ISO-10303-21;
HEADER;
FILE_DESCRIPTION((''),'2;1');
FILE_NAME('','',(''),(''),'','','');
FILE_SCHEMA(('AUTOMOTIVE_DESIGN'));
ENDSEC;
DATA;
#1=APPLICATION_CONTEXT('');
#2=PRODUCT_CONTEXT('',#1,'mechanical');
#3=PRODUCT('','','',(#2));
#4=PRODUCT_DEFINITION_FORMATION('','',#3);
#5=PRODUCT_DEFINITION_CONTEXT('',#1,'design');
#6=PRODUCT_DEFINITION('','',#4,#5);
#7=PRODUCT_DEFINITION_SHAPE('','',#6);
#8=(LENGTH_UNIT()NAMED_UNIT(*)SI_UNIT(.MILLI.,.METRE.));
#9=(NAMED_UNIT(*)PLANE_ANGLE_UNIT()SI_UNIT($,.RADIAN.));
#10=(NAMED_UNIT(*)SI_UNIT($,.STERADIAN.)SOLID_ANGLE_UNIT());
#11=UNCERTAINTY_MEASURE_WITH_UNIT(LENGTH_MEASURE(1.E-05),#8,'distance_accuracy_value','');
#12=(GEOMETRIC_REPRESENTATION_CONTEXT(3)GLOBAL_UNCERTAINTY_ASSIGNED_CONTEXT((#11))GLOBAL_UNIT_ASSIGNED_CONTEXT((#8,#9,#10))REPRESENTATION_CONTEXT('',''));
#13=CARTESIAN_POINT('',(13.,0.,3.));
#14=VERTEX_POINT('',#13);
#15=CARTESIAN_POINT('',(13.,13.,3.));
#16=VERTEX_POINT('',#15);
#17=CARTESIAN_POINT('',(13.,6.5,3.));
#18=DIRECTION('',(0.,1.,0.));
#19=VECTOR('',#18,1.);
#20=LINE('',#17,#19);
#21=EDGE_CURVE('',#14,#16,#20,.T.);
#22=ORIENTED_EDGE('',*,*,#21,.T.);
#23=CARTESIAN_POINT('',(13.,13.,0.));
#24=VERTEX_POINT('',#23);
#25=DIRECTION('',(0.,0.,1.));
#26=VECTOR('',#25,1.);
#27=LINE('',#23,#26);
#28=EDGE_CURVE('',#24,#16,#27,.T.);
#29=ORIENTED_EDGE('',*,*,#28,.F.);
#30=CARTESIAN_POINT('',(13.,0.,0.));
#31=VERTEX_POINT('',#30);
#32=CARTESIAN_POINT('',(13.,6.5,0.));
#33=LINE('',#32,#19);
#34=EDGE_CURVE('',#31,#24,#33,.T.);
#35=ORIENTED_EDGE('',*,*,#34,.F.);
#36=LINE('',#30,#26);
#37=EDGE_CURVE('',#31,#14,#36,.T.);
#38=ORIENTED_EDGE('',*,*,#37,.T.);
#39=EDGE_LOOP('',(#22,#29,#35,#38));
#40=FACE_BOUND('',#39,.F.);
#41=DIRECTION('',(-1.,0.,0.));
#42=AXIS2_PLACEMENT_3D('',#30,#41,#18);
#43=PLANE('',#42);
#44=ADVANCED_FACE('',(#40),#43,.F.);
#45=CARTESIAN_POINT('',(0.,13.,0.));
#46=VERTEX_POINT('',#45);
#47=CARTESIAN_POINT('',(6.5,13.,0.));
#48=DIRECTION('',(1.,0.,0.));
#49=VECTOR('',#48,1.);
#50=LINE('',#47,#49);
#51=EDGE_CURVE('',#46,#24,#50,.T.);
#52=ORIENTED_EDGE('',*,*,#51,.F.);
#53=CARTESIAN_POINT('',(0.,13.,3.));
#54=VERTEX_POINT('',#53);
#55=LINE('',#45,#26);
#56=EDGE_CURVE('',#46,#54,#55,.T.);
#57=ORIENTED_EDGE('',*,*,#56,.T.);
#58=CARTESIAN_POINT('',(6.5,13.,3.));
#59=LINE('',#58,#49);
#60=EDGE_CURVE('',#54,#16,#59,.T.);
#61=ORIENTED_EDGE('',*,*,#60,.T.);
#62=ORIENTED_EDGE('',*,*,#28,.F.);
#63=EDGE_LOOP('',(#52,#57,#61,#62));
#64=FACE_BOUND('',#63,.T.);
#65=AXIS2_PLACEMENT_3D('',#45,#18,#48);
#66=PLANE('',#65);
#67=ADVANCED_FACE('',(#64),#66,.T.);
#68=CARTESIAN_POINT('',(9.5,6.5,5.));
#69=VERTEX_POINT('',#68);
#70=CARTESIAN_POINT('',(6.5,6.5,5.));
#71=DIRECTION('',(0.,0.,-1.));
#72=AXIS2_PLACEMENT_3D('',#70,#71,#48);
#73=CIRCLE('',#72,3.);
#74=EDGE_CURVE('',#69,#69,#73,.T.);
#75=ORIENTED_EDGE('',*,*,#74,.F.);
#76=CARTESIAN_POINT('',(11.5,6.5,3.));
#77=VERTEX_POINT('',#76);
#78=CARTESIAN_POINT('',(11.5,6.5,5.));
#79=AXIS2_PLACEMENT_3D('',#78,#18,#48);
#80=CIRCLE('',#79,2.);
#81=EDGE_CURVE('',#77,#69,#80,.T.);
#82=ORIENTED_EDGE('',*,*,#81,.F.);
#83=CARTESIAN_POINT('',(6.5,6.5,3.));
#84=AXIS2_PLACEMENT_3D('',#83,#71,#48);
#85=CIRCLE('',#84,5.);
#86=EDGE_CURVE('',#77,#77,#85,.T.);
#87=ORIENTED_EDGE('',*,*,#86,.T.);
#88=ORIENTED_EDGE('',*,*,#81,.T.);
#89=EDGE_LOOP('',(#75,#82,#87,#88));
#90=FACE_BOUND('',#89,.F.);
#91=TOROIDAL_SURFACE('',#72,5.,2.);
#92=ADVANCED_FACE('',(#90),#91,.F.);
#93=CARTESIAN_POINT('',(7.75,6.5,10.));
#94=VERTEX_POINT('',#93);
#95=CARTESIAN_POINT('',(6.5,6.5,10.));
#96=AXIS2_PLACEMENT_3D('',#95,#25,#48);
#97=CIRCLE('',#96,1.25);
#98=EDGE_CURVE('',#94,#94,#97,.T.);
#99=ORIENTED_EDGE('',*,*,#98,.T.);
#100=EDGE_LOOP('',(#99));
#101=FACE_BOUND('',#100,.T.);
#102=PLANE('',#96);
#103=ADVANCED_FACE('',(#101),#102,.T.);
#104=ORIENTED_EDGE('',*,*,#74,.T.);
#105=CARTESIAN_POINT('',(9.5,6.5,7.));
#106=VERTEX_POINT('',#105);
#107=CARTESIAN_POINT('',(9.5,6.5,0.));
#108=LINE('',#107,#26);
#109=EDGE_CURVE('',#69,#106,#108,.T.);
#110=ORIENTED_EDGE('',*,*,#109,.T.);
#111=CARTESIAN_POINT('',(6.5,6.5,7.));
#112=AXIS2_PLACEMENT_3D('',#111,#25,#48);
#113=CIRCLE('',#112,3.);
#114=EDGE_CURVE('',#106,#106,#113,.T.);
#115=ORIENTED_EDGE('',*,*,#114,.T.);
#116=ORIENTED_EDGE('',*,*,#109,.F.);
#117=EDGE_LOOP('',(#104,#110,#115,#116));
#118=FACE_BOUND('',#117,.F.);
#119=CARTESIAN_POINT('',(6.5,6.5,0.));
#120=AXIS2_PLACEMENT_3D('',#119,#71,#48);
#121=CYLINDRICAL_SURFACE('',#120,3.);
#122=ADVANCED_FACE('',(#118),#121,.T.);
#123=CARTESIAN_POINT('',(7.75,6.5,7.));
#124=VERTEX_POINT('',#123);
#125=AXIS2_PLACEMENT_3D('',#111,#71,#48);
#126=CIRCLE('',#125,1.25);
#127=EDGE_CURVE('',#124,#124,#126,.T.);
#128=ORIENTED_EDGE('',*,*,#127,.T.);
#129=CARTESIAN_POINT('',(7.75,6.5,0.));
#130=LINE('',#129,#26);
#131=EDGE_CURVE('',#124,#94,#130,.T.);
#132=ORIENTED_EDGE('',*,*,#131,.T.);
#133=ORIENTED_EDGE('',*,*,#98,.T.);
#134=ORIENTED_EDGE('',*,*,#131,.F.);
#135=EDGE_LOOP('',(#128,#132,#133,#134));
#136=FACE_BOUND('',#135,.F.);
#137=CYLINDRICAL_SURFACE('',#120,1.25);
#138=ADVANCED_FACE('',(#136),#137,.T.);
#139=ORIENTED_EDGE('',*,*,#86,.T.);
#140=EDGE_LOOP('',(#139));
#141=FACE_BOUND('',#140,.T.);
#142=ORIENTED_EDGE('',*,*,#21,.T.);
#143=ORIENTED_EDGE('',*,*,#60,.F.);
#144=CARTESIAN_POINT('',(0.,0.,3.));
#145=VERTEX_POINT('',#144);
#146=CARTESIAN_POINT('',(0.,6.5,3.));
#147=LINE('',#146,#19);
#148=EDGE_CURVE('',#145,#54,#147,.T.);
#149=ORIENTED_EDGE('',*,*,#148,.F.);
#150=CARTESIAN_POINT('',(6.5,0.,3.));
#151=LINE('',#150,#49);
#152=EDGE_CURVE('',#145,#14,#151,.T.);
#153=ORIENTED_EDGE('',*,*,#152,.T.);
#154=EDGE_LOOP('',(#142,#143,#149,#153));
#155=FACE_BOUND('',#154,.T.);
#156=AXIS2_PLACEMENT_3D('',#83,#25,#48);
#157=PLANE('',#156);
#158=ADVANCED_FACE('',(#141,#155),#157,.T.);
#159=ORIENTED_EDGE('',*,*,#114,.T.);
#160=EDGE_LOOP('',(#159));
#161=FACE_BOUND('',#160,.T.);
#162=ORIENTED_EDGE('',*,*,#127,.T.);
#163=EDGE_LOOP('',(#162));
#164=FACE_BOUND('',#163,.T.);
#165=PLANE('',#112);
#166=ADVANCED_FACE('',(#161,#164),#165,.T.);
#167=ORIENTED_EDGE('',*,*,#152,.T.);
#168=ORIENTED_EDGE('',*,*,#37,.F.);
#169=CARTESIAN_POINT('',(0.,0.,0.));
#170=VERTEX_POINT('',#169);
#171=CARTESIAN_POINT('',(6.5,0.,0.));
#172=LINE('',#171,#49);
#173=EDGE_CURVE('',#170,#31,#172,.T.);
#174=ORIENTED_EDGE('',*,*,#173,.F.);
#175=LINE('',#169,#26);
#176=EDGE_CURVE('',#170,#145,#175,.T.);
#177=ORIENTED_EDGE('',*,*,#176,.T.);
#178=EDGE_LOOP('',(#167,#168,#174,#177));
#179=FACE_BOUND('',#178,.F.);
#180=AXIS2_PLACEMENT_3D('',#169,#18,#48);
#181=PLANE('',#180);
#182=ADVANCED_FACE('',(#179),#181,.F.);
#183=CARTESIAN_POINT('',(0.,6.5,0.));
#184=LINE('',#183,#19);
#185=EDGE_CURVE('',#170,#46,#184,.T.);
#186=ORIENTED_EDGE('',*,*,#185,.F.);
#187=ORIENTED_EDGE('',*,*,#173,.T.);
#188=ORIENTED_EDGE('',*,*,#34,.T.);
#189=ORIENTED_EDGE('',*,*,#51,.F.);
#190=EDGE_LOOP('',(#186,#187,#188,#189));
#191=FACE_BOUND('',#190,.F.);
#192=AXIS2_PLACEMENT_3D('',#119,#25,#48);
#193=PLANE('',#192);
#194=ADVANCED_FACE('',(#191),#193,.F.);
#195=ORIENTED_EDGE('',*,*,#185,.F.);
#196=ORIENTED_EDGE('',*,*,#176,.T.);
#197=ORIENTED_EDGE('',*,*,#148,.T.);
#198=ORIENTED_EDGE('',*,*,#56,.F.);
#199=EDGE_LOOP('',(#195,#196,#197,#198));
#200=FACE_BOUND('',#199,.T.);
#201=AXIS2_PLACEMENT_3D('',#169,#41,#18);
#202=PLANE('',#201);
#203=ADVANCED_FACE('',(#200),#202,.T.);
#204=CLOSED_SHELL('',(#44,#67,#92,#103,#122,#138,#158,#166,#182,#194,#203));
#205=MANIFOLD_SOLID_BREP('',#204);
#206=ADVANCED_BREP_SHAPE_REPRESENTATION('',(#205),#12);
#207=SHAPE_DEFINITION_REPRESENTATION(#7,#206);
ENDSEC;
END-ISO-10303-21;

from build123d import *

# Parameters (mm, degrees)
F0_W     = 13
F0_H     = 13
F0_R     = 3
F0_R_2   = 1.25
F1_DEPTH = 3
F2_DEPTH = 7
F3_DEPTH = 10
F4_R     = 2


with BuildPart() as f1:
    # F0 (on Top) → F1 (new body)
    with BuildSketch(Plane.XY):
        with Locations((6.5, 6.5)):
            Rectangle(F0_W, F0_H)
        with Locations((6.5, 6.5)):
            Circle(F0_R, mode=Mode.SUBTRACT)
        with Locations((6.5, 6.5)):
            Circle(F0_R)
        with Locations((6.5, 6.5)):
            Circle(F0_R_2, mode=Mode.SUBTRACT)
        with Locations((6.5, 6.5)):
            Circle(F0_R_2)
    extrude(amount=F1_DEPTH)

    # F0 (on Top) → F2 (join)
    with BuildSketch(Plane.XY):
        with Locations((6.5, 6.5)):
            Circle(F0_R)
        with Locations((6.5, 6.5)):
            Circle(F0_R_2, mode=Mode.SUBTRACT)
        with Locations((6.5, 6.5)):
            Circle(F0_R_2)
    extrude(amount=F2_DEPTH)

    # F0 (on Top) → F3 (join)
    with BuildSketch(Plane.XY):
        with Locations((6.5, 6.5)):
            Circle(F0_R_2)
    extrude(amount=F3_DEPTH)

    # F4
    f4_edges = [f1.edges().sort_by_distance(p)[0] for p in [
        (3.5, 6.5, 3),
    ]]
    fillet(f4_edges, radius=F4_R)


solid = f1.part
